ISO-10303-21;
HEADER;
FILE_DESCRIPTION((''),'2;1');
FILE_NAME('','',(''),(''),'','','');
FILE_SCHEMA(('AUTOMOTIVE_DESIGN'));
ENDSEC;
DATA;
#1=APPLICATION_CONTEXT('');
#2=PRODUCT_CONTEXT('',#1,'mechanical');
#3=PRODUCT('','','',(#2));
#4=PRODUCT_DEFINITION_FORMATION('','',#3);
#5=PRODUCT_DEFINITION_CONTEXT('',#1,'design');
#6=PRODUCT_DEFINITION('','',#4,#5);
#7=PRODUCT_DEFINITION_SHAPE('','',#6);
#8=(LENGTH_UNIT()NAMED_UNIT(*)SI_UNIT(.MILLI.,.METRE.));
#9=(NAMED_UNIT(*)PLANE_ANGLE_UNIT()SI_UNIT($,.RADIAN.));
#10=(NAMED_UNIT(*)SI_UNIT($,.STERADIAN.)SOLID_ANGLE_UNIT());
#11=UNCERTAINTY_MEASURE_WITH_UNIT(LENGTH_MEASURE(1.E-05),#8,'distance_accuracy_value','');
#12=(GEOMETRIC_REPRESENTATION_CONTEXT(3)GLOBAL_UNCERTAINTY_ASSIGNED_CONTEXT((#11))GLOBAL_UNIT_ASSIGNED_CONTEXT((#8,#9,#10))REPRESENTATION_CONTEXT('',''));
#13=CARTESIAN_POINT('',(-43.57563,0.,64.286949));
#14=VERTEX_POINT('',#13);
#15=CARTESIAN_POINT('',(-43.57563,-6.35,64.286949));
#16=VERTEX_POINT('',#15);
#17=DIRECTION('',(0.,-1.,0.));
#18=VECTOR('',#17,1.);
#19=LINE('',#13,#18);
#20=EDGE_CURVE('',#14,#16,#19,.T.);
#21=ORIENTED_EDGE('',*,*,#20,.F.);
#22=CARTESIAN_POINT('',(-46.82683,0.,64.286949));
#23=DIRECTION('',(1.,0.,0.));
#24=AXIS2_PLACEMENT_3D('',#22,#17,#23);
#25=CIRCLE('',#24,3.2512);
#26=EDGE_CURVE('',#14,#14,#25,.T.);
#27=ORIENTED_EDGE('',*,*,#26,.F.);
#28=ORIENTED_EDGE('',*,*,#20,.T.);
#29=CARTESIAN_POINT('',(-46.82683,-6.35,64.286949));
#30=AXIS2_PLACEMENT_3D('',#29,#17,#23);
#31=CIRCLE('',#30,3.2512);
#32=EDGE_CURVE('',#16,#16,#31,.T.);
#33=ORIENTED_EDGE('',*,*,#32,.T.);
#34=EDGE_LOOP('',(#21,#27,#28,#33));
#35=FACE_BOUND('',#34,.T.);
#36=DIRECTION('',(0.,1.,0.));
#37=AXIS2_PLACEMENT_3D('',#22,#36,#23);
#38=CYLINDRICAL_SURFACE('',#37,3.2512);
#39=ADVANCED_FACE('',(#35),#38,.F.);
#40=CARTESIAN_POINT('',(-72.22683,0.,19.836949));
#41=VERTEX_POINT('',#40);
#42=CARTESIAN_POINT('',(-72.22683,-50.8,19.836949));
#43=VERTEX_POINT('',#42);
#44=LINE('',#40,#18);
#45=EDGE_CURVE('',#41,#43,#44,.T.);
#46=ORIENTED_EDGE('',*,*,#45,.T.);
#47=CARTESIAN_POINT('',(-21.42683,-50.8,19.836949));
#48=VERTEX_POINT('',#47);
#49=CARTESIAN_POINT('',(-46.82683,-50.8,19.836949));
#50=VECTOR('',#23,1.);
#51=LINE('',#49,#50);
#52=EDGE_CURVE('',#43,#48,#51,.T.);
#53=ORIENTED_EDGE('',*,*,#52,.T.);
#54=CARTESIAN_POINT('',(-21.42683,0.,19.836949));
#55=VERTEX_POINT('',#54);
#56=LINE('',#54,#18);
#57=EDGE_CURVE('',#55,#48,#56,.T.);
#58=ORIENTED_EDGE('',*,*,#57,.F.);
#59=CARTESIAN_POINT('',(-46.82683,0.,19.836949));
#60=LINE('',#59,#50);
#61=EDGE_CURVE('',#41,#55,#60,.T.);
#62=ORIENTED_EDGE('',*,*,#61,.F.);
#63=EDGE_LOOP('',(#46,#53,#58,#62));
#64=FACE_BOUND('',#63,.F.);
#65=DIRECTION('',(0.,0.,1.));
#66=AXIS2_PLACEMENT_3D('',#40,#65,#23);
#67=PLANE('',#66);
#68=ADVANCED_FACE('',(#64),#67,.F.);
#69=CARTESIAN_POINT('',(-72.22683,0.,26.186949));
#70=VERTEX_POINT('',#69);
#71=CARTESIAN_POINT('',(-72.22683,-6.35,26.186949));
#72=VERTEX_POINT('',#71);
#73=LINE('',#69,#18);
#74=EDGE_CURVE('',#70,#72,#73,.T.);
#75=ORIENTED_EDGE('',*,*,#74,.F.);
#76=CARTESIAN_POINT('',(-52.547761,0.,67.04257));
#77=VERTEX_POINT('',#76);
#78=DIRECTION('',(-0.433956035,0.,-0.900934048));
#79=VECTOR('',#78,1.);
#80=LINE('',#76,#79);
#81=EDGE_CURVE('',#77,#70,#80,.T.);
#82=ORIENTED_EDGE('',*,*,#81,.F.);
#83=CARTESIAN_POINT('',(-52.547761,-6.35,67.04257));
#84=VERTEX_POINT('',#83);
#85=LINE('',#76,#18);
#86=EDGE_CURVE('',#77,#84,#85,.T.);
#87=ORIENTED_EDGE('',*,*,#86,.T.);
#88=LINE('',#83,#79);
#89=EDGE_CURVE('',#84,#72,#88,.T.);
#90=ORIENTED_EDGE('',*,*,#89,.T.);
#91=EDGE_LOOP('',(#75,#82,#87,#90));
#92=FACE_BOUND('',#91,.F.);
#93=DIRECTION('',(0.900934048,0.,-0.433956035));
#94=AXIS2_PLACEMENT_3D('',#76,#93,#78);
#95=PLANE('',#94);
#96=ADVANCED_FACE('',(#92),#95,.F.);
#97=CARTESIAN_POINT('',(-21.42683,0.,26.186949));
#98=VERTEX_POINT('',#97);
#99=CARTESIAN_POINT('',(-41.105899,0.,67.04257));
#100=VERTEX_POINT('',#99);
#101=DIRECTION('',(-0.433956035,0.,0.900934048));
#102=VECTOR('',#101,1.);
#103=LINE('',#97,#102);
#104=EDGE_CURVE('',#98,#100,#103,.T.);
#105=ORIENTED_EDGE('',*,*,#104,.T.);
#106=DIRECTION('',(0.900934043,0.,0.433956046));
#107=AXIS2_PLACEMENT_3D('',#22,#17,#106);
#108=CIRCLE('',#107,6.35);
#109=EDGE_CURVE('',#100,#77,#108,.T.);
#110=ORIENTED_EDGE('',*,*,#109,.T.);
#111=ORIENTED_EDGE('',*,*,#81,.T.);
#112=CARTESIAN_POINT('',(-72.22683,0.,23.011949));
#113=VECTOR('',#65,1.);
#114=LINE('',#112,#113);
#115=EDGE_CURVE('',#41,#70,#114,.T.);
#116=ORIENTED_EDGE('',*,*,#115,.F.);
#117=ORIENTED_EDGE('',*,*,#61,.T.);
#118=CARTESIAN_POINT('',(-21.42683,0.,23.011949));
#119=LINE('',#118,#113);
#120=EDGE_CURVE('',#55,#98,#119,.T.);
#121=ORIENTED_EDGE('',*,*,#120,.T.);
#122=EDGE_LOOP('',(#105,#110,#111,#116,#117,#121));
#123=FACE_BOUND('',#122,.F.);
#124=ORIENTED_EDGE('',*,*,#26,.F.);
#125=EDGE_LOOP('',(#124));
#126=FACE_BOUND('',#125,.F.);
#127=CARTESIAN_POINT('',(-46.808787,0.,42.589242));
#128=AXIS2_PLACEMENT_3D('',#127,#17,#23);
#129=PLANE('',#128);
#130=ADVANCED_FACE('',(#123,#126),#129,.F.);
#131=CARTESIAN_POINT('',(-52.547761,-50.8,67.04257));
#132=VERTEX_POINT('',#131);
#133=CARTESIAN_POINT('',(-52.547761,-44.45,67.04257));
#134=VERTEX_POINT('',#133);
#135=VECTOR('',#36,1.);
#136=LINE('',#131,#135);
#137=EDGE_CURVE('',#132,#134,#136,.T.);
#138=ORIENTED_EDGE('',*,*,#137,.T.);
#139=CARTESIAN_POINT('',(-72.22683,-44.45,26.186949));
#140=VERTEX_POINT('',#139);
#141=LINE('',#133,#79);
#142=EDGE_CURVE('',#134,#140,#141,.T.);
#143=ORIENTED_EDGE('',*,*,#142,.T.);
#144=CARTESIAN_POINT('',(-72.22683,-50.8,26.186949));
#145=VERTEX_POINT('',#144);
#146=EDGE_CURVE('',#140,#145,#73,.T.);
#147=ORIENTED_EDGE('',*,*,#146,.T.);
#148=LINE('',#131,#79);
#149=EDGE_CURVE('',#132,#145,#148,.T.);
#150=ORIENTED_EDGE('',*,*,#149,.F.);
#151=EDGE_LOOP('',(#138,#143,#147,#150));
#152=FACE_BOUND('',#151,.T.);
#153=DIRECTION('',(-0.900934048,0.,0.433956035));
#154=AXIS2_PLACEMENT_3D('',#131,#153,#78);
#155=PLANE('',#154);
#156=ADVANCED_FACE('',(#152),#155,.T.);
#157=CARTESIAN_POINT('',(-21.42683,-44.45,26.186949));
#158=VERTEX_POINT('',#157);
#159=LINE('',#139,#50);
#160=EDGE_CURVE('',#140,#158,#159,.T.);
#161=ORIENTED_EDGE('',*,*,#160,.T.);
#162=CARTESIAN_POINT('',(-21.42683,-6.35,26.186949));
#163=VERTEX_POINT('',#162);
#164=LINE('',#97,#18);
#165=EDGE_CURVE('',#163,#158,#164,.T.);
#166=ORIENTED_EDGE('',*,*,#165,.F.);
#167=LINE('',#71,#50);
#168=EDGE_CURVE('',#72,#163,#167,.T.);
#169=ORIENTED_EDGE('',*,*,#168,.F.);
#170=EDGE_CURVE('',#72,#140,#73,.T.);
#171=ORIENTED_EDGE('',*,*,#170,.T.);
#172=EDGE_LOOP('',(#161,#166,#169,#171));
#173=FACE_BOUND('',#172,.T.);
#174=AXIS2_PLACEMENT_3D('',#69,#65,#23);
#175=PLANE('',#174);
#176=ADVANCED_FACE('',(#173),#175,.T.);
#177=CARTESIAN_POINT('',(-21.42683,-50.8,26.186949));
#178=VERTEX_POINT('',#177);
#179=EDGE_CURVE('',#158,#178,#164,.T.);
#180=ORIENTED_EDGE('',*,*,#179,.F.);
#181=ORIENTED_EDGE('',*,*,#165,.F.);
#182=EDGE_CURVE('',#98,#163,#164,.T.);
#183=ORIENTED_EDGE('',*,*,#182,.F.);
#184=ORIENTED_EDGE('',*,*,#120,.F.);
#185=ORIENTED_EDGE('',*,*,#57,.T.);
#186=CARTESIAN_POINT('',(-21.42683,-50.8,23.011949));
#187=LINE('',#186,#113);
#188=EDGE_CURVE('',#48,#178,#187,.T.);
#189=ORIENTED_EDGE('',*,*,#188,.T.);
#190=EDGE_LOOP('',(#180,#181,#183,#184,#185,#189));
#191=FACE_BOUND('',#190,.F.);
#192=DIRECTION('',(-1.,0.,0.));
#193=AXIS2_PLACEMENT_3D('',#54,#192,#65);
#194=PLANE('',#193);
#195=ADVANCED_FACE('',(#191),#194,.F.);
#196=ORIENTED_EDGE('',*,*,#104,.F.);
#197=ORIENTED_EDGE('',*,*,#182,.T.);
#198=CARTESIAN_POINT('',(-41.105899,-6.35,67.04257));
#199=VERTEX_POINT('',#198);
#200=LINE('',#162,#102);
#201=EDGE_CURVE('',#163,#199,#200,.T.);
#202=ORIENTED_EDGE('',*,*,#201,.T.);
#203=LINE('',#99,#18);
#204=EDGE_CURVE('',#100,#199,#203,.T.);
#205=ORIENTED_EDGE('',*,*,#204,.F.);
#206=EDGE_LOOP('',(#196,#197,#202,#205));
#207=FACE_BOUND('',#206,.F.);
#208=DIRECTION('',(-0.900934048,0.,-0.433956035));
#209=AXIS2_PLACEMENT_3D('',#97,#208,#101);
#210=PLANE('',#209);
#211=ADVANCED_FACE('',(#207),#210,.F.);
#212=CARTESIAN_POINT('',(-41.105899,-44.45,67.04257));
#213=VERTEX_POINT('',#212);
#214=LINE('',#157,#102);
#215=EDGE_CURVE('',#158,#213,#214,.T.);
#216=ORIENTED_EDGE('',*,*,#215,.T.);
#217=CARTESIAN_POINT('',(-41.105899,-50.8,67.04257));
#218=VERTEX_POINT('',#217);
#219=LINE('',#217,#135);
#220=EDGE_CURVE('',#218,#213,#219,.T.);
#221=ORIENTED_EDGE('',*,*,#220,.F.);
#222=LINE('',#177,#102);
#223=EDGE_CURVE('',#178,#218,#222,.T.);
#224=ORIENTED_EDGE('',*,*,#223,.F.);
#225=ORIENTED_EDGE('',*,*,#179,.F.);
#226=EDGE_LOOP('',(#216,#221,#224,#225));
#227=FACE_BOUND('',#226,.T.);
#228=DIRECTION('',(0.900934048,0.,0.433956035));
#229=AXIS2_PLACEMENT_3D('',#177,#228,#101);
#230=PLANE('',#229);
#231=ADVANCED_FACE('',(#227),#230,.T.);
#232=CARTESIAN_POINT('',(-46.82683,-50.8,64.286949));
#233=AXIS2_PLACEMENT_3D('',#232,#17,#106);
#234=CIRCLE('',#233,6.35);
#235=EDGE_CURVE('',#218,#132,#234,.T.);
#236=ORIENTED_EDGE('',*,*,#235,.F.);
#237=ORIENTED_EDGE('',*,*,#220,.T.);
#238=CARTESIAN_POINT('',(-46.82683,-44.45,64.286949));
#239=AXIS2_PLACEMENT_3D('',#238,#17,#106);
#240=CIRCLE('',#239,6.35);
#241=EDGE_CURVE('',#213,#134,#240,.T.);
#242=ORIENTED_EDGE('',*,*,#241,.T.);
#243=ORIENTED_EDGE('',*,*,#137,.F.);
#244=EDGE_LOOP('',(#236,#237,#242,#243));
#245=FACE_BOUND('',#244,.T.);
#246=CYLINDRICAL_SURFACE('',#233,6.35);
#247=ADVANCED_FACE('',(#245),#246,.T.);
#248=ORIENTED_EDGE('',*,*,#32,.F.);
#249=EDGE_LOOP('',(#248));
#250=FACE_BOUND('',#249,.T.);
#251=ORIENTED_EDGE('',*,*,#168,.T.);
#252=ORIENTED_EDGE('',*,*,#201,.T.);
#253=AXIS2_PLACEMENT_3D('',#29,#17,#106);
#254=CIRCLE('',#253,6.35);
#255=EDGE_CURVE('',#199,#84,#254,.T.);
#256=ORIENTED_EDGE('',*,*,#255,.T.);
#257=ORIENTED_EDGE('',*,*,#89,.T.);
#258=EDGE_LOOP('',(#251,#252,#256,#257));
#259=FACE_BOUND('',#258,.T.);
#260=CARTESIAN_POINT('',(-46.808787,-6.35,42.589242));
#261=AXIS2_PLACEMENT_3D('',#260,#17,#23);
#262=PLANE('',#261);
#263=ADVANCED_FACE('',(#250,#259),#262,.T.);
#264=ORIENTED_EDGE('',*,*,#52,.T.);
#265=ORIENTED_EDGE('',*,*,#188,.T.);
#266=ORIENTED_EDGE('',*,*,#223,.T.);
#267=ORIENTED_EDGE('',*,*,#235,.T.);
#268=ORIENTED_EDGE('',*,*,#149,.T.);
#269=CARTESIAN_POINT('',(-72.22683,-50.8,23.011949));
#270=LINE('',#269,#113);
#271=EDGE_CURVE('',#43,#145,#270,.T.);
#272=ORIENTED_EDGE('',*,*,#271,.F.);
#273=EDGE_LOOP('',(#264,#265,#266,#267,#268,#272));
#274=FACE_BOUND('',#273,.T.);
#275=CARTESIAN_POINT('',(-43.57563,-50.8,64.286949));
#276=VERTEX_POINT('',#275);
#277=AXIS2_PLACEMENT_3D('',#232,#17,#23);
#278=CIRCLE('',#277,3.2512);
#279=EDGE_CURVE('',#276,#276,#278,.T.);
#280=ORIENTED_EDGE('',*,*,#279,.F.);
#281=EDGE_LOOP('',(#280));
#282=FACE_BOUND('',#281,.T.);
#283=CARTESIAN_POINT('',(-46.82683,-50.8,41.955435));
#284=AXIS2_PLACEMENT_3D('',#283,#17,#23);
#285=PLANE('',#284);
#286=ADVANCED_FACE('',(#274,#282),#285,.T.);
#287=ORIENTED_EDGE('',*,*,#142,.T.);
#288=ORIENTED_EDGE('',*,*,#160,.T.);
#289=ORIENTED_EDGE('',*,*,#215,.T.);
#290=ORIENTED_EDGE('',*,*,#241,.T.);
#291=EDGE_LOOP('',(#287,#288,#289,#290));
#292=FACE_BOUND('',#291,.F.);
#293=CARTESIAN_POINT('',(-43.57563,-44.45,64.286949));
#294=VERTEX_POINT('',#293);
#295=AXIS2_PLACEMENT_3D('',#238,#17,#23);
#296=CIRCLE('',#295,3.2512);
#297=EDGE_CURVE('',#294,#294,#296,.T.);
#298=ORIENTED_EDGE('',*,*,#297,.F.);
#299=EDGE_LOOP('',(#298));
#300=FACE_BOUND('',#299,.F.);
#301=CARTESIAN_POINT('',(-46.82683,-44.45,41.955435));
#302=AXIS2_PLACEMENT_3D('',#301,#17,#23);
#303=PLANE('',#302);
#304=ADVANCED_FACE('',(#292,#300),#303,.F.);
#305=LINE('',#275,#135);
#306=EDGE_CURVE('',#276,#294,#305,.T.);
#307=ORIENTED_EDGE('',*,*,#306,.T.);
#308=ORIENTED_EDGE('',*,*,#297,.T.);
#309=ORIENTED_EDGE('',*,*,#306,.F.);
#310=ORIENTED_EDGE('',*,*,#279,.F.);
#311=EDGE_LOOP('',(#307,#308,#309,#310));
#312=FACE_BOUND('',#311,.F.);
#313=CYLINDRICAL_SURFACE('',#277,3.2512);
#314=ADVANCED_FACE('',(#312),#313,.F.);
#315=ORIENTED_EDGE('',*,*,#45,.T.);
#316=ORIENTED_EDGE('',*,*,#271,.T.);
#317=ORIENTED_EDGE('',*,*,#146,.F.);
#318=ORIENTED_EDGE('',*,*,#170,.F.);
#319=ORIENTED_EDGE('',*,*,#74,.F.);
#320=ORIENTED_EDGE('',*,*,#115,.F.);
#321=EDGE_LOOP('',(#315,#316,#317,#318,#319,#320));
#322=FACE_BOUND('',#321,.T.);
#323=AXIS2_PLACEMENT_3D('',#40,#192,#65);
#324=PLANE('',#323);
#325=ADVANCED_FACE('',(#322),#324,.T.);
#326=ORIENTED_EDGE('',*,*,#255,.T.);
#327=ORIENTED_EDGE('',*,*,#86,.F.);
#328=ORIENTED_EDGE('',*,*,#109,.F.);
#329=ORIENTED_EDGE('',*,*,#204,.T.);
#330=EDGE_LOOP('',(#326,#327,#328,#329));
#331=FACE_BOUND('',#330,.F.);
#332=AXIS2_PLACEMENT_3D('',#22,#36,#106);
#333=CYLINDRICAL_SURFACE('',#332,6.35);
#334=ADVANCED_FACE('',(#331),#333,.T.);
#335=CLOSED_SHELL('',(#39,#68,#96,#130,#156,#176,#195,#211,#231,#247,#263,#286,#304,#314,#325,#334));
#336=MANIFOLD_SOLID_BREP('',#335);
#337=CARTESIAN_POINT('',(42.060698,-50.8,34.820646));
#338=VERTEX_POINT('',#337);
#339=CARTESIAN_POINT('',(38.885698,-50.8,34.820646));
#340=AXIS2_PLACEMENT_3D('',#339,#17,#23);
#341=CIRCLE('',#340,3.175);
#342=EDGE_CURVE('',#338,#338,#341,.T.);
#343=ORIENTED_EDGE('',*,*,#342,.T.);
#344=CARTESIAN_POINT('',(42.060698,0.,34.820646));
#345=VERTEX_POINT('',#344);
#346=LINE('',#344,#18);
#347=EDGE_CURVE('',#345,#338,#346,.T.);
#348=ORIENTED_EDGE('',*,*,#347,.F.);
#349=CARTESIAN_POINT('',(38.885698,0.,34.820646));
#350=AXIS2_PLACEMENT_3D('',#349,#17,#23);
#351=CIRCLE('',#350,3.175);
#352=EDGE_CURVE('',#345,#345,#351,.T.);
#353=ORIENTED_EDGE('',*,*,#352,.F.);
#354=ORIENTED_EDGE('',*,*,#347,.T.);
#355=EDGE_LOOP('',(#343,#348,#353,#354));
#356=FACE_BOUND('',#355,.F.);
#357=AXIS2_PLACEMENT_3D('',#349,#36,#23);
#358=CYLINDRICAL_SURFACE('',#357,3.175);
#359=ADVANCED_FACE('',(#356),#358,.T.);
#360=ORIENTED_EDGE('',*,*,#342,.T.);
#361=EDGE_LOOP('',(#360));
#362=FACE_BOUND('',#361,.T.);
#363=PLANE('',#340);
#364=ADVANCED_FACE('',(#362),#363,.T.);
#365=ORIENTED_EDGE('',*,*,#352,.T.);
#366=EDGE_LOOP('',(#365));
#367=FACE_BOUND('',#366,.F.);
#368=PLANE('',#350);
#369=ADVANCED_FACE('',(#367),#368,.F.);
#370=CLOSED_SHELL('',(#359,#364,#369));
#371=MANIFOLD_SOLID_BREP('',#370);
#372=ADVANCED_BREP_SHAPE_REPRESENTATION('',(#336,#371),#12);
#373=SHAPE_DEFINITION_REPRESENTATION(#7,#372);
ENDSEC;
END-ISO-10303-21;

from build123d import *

# Parameters (mm, degrees)
F0_R     = 3.175
F1_DEPTH = 50.8
F0_W     = 50.8
F0_H     = 6.35
F2_DEPTH = 50.8
F0_R_2   = 3.2512
F3_DEPTH = 6.35
F4_R     = 3.2512
F5_DEPTH = 6.35


with BuildPart() as f1:
    # F0 (on Front) → F1 (new body)
    with BuildSketch(Plane.XZ):
        with Locations((38.885698, 34.820646)):
            Circle(F0_R)
    extrude(amount=F1_DEPTH)


with BuildPart() as f2:
    # F0 (on Front) → F2 (new body)
    with BuildSketch(Plane.XZ):
        with Locations((-46.82683, 23.011949)):
            Rectangle(F0_W, F0_H)
    extrude(amount=F2_DEPTH)

    # F0 (on Front) → F3 (join)
    with BuildSketch(Plane.XZ):
        with BuildLine():
            Line((-52.547761, 67.04257), (-72.22683, 26.186949))
            Line((-72.22683, 26.186949), (-21.42683, 26.186949))
            Line((-21.42683, 26.186949), (-41.105899, 67.04257))
            ThreePointArc((-41.105899, 67.04257), (-40.636094, 65.700205), (-40.47683, 64.286949))
            ThreePointArc((-40.47683, 64.286949), (-48.240086, 58.096214), (-52.547761, 67.04257))
        make_face()
        with BuildLine():
            ThreePointArc((-41.105899, 67.04257), (-46.82683, 70.636949), (-52.547761, 67.04257))
            ThreePointArc((-52.547761, 67.04257), (-48.240086, 58.096214), (-40.47683, 64.286949))
            ThreePointArc((-40.47683, 64.286949), (-40.636094, 65.700205), (-41.105899, 67.04257))
        make_face()
        with Locations((-46.82683, 64.286949)):
            Circle(F0_R_2, mode=Mode.SUBTRACT)
    extrude(amount=F3_DEPTH)

    # F4 (on face) → F5 (join)
    with BuildSketch(Plane.XZ.offset(50.8)):
        with BuildLine():
            ThreePointArc((-41.105899, 67.04257), (-46.82683, 70.636949), (-52.547761, 67.04257))
            Line((-52.547761, 67.04257), (-72.22683, 26.186949))
            Line((-72.22683, 26.186949), (-21.42683, 26.186949))
            Line((-21.42683, 26.186949), (-41.105899, 67.04257))
        make_face()
        with Locations((-46.82683, 64.286949)):
            Circle(F4_R, mode=Mode.SUBTRACT)
    extrude(amount=-F5_DEPTH)


solid = Compound([f1.part, f2.part])
